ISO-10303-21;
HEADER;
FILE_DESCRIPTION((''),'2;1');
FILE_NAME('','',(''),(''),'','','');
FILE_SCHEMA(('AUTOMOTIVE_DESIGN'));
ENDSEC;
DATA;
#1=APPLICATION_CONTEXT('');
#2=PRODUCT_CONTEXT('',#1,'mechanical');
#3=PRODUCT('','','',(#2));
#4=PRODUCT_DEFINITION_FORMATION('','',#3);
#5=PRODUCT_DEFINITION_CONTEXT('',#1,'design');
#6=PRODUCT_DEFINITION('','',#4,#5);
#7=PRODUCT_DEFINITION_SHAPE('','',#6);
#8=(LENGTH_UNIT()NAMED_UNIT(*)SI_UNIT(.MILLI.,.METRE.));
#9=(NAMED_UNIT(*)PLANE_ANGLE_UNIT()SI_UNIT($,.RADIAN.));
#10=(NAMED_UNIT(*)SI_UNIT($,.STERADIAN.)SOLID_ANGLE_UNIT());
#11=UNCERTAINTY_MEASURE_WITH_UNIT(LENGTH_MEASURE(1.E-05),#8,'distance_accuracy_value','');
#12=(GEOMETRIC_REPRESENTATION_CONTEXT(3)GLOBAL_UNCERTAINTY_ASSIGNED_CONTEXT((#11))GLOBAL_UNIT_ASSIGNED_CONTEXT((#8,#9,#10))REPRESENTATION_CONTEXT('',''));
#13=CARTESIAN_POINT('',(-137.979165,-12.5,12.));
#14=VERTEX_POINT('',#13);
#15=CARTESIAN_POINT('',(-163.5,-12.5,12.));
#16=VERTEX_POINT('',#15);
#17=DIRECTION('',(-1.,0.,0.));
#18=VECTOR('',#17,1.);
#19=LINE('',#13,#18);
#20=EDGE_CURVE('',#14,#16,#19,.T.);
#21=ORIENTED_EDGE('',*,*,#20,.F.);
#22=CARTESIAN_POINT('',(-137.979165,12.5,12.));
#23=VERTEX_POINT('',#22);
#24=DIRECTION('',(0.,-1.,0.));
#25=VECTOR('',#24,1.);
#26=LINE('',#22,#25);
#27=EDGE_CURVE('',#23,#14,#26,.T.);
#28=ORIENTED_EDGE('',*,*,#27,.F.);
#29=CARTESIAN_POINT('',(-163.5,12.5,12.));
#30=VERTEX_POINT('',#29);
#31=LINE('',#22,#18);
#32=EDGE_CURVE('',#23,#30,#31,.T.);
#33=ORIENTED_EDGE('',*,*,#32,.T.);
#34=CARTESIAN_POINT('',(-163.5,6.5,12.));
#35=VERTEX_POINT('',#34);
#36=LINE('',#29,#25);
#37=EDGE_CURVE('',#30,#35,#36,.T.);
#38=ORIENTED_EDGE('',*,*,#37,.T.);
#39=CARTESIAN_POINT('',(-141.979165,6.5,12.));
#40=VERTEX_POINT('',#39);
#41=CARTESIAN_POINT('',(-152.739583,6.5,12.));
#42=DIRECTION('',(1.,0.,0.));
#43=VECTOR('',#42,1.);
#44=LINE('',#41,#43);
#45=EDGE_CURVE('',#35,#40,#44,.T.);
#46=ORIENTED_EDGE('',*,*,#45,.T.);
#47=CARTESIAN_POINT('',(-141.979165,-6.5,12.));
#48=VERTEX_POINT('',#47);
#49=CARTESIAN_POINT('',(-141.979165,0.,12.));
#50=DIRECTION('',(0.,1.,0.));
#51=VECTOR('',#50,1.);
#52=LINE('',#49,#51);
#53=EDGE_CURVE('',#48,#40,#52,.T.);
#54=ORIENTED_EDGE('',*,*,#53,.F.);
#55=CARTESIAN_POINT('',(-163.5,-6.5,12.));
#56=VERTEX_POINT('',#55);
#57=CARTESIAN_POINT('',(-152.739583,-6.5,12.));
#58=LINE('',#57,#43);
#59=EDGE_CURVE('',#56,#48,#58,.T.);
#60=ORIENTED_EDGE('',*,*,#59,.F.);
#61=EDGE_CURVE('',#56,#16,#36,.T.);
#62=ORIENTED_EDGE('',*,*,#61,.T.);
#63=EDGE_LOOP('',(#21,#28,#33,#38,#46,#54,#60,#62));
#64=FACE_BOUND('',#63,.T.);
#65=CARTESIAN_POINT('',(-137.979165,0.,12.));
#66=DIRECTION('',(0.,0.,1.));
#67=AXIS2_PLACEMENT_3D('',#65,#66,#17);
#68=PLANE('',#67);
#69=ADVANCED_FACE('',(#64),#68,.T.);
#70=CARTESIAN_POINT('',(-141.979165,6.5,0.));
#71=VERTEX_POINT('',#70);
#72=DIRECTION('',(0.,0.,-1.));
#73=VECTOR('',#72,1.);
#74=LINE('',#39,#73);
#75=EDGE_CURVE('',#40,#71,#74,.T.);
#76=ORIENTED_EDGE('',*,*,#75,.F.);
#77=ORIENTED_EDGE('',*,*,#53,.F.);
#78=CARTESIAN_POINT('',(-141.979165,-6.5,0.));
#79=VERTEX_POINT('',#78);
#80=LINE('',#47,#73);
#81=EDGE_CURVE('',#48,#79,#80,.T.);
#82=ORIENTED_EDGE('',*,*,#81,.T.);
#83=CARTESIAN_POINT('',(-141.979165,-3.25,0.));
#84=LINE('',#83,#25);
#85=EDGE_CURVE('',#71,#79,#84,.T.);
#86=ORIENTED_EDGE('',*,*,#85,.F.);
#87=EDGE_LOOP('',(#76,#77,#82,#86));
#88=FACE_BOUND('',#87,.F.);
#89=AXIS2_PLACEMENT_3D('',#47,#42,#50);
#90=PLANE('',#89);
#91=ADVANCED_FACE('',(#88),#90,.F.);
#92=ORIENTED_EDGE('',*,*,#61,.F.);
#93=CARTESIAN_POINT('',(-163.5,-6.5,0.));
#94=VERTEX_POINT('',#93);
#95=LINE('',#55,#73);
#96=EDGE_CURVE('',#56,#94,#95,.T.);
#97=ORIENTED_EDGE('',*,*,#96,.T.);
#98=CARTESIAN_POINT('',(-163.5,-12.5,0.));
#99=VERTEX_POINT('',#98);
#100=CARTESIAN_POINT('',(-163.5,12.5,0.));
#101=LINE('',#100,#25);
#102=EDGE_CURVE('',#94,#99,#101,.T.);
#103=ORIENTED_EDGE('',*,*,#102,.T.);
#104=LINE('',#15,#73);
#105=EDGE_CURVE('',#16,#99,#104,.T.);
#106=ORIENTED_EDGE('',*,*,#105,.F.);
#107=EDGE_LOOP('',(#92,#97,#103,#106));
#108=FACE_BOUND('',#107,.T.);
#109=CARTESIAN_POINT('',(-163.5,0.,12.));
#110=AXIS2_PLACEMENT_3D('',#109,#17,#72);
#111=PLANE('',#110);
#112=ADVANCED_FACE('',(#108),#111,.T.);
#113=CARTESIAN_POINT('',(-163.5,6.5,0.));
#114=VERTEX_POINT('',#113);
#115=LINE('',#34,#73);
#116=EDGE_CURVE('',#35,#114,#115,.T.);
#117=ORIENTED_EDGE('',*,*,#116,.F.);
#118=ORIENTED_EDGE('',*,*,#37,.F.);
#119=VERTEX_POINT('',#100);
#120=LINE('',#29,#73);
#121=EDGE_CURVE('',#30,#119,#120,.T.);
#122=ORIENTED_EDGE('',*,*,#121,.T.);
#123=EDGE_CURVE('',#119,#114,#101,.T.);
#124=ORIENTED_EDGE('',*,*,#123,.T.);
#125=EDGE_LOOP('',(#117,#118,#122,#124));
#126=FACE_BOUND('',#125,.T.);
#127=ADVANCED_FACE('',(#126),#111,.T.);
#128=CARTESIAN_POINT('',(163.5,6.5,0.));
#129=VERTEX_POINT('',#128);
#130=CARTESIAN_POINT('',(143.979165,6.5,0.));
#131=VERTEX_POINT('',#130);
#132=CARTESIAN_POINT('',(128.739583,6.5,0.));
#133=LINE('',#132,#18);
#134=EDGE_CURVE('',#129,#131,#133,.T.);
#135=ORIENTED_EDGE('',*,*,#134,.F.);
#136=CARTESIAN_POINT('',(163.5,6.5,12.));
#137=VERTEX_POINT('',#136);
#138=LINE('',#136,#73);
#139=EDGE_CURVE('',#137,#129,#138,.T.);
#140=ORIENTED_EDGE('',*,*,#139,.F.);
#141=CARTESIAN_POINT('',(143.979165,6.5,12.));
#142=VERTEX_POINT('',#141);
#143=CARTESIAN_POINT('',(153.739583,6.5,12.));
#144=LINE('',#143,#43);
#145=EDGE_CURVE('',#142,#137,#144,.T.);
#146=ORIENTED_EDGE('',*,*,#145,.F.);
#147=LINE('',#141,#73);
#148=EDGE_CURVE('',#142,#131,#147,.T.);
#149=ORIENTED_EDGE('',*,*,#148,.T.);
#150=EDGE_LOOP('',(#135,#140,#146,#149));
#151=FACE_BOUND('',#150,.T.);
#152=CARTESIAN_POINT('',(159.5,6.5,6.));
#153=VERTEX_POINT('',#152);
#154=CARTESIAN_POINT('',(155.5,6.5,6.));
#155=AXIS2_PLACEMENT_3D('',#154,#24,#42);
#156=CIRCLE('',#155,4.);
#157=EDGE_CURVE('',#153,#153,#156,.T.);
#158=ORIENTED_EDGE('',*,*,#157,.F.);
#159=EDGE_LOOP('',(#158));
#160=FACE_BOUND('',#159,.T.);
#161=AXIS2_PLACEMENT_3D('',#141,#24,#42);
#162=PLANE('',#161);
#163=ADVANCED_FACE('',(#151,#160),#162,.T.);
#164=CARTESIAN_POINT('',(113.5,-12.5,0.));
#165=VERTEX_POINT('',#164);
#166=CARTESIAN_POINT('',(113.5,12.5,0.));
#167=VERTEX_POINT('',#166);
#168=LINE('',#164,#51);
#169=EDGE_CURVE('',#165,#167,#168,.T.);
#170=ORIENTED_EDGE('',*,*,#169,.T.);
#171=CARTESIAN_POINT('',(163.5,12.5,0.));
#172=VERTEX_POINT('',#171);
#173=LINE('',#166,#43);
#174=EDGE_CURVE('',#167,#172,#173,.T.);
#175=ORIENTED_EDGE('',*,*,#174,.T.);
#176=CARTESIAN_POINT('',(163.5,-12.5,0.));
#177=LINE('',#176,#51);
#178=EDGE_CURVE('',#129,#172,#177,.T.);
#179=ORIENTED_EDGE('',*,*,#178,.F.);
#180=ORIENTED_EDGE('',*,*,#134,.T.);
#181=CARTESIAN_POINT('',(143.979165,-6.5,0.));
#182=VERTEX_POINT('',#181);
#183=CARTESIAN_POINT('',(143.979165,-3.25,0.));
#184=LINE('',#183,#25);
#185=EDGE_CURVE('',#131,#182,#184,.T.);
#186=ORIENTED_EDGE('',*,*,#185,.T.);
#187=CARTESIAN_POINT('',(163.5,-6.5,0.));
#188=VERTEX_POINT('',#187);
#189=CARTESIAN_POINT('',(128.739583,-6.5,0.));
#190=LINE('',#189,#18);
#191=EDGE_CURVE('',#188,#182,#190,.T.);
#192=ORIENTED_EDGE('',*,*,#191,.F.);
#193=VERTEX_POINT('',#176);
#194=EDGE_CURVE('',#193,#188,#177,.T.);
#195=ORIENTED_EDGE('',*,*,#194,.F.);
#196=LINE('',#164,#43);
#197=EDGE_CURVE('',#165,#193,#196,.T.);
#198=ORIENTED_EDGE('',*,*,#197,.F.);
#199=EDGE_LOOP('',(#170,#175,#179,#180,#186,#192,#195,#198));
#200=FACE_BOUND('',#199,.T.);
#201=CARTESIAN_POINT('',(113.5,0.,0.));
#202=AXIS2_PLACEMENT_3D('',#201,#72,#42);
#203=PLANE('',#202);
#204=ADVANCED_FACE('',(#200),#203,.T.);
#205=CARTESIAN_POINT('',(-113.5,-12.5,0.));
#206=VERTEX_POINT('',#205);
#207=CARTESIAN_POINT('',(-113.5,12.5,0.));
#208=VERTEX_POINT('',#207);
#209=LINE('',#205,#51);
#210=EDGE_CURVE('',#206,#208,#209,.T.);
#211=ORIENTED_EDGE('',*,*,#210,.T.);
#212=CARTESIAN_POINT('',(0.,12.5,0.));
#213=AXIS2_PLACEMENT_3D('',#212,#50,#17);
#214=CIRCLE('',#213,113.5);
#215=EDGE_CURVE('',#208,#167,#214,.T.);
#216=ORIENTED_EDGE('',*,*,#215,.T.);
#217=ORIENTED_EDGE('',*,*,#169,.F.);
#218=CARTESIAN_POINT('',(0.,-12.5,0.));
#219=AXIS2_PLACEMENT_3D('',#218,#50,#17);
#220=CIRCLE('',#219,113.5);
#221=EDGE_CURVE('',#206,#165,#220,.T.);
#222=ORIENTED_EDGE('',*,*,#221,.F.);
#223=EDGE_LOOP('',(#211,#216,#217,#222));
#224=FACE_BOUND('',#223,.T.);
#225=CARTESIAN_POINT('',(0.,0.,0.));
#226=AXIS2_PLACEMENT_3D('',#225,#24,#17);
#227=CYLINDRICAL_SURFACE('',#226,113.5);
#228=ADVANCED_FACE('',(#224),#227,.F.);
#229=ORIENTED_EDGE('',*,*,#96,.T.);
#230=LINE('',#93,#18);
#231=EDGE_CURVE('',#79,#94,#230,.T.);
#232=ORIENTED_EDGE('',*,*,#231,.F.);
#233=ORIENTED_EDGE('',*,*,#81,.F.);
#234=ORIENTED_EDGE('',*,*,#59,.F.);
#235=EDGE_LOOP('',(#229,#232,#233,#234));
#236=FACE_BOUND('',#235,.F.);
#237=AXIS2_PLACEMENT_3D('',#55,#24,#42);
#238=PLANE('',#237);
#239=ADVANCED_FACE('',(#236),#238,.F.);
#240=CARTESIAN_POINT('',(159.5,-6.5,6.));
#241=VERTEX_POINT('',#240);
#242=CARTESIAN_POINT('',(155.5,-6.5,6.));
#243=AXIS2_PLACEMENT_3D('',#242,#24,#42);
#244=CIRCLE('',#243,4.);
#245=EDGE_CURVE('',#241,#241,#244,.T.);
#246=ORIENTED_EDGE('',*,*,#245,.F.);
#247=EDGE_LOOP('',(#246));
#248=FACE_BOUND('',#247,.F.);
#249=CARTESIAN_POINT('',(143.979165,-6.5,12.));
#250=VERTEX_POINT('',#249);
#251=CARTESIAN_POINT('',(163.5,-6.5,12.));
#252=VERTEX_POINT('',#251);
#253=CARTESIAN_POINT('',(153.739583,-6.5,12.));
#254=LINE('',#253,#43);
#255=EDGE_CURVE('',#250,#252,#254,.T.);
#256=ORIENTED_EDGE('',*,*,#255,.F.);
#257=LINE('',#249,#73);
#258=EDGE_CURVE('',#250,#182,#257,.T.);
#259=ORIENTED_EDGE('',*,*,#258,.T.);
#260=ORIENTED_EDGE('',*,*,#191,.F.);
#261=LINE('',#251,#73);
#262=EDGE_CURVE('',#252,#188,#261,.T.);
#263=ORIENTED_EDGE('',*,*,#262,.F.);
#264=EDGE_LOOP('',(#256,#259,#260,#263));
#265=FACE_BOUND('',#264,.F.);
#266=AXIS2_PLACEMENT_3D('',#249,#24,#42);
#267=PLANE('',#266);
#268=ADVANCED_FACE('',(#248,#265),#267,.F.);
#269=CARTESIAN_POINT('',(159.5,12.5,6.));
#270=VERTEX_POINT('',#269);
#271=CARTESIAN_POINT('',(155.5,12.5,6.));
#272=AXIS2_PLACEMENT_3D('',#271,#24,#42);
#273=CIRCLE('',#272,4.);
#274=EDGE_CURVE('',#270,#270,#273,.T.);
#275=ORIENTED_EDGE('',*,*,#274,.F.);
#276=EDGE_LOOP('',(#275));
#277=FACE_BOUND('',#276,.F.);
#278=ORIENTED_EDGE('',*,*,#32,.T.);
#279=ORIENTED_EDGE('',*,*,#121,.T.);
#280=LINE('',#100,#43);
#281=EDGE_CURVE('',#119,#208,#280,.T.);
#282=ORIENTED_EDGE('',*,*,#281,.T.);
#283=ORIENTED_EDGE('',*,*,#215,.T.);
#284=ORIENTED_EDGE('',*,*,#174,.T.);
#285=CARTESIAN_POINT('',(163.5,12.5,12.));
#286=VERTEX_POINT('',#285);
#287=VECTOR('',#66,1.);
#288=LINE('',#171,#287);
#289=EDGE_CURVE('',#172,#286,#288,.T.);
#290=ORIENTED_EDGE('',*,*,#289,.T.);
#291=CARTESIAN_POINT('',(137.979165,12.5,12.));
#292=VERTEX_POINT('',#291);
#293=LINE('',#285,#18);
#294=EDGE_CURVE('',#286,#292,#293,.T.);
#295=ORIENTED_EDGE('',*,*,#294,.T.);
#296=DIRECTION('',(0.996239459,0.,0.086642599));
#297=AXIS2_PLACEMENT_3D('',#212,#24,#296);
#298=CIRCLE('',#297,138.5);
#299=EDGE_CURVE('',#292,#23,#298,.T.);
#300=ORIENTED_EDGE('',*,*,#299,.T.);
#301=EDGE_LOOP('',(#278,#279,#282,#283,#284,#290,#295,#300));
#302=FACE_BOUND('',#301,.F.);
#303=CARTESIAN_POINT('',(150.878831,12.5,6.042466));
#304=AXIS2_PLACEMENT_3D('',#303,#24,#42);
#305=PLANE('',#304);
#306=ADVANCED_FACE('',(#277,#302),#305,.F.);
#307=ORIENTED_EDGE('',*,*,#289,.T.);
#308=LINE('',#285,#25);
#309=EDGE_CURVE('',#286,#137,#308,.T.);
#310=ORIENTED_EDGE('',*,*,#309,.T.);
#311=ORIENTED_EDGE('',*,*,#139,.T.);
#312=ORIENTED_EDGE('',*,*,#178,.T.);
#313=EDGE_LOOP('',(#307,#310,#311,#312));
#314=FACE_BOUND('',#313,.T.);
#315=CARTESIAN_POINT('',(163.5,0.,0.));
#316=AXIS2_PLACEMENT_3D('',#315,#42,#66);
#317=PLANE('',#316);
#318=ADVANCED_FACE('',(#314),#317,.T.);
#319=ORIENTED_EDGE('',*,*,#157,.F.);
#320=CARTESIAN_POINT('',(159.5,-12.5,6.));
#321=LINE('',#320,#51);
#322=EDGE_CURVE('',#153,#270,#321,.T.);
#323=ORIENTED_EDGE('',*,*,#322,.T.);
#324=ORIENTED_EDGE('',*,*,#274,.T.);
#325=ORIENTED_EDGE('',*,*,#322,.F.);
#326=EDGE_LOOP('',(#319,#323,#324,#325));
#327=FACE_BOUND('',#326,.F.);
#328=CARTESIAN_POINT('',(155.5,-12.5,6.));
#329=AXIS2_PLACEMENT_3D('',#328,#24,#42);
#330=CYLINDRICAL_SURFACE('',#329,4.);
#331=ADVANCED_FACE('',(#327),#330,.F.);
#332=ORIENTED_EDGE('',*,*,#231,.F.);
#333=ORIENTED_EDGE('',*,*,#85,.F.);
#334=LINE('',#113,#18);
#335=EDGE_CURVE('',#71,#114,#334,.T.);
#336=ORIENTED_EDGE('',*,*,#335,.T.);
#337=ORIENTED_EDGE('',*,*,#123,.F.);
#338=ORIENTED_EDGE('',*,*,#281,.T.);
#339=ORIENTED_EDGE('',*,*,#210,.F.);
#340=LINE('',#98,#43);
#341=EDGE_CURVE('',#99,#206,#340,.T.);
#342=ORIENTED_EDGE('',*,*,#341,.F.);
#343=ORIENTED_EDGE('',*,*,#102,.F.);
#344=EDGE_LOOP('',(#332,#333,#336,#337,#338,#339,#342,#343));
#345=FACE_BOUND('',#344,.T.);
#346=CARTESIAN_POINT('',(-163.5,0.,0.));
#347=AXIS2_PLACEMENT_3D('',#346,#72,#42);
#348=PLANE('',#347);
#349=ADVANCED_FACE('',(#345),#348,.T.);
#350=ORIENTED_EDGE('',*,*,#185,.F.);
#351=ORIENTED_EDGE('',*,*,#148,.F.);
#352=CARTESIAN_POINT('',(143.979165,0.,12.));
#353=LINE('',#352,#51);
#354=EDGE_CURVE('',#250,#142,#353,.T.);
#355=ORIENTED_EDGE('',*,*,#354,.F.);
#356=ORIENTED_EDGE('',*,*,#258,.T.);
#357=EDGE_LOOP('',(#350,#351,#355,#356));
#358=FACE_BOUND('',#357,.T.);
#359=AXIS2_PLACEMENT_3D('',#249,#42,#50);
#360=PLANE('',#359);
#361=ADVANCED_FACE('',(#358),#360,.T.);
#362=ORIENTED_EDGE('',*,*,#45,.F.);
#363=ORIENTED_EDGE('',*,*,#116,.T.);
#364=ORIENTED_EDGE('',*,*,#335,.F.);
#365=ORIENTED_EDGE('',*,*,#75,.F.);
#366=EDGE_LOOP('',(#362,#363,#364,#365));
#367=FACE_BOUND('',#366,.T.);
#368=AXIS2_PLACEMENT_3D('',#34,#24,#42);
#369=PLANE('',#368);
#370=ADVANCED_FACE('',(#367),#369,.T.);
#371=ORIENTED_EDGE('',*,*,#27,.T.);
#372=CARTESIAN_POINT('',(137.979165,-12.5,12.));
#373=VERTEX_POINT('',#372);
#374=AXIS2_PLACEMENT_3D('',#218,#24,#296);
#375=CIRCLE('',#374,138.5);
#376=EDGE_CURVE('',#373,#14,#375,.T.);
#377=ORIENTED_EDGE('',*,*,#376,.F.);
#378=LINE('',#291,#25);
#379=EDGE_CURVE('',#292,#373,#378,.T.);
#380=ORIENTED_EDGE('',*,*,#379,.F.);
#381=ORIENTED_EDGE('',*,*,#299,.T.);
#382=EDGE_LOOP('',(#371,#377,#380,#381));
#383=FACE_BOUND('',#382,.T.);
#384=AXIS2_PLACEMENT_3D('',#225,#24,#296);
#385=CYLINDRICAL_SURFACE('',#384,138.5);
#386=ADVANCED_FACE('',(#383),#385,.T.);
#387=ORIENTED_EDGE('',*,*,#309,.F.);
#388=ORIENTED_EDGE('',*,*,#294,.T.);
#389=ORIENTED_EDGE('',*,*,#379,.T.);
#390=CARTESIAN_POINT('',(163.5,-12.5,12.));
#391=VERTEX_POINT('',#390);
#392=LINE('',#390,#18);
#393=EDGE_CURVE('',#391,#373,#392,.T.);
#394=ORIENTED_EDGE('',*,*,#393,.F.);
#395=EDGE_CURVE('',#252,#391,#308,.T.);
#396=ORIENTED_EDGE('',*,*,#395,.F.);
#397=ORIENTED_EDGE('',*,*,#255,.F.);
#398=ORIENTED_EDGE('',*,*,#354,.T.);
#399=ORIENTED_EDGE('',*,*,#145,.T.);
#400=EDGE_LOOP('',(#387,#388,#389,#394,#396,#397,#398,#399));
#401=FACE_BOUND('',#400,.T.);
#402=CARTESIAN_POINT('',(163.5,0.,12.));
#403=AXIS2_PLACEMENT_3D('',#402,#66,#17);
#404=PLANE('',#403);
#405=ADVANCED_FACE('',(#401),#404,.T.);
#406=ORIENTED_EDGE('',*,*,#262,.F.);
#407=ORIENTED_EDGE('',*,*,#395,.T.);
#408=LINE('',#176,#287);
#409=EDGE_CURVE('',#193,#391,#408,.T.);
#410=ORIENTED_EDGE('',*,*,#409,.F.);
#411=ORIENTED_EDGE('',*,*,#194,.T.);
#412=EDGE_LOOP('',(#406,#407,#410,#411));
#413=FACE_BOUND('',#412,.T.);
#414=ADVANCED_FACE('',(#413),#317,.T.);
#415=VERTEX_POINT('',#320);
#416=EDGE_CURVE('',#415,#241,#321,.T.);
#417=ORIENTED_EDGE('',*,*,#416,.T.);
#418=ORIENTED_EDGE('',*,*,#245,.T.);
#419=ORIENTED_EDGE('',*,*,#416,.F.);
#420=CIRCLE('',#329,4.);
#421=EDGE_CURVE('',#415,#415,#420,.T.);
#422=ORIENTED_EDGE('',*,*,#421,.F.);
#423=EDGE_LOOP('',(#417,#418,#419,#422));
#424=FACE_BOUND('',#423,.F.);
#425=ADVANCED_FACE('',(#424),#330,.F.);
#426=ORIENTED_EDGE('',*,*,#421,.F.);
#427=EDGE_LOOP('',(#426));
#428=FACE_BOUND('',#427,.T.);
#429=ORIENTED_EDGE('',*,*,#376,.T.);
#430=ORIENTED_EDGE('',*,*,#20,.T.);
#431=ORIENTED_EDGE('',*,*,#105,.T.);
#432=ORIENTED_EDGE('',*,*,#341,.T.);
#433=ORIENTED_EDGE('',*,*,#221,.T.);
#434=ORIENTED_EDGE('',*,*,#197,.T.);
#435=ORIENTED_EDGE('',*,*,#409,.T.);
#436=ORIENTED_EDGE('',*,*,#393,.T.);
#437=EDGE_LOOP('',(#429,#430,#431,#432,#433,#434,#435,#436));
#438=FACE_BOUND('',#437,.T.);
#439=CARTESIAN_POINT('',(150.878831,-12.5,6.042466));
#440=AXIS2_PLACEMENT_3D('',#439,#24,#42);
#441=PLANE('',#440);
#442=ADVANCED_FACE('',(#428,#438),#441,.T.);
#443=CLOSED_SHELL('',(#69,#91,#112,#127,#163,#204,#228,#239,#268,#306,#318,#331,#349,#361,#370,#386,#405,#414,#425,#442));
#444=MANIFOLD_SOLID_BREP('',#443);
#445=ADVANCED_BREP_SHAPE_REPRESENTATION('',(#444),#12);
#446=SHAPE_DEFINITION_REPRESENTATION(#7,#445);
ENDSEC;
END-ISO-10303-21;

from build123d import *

# Parameters (mm, degrees)
F1_DEPTH = 12.5
F2_W     = 19.5208349061
F2_H     = 13
F3_DEPTH = 12.001
F4_W     = 21.5208349061
F4_H     = 13
F5_DEPTH = 12.001
F6_R     = 4
F7_DEPTH = 25.001


with BuildPart() as f1:
    # F0 (on Front) → F1 (new body, symmetric)
    with BuildSketch(Plane.XZ):
        with BuildLine():
            ThreePointArc((137.9791650939, 12), (138.369730009, 6.0056487784), (138.5, 0))
            Line((138.5, 0), (163.5, 0))
            Line((163.5, 0), (163.5, 12))
            Line((163.5, 12), (137.9791650939, 12))
        make_face()
        with BuildLine():
            Line((-163.5, 0), (-138.5, 0))
            ThreePointArc((-138.5, 0), (-138.369730009, 6.0056487784), (-137.9791650939, 12))
            Line((-137.9791650939, 12), (-163.5, 12))
            Line((-163.5, 12), (-163.5, 0))
        make_face()
        with BuildLine():
            ThreePointArc((-113.5, 0), (0, 113.5), (113.5, 0))
            Line((113.5, 0), (138.5, 0))
            ThreePointArc((138.5, 0), (138.369730009, 6.0056487784), (137.9791650939, 12))
            ThreePointArc((137.9791650939, 12), (0, 138.5), (-137.9791650939, 12))
            ThreePointArc((-137.9791650939, 12), (-138.369730009, 6.0056487784), (-138.5, 0))
            Line((-138.5, 0), (-113.5, 0))
        make_face()
    extrude(amount=F1_DEPTH, both=True)

    # F2 (on face) → F3 (cut, through all)
    with BuildSketch(Plane.XY.offset(12)):
        with Locations((153.7395825469, 0)):
            Rectangle(F2_W, F2_H)
    extrude(amount=-F3_DEPTH, mode=Mode.SUBTRACT)

    # F4 (on face) → F5 (cut, through all)
    with BuildSketch(Plane.XY.offset(12)):
        with Locations((-152.7395825469, 0)):
            Rectangle(F4_W, F4_H)
    extrude(amount=-F5_DEPTH, mode=Mode.SUBTRACT)

    # F6 (on face) → F7 (cut, through all)
    with BuildSketch(Plane.XZ.offset(12.5)):
        with Locations((155.5, 6)):
            Circle(F6_R)
    extrude(amount=-F7_DEPTH, mode=Mode.SUBTRACT)


solid = f1.part
